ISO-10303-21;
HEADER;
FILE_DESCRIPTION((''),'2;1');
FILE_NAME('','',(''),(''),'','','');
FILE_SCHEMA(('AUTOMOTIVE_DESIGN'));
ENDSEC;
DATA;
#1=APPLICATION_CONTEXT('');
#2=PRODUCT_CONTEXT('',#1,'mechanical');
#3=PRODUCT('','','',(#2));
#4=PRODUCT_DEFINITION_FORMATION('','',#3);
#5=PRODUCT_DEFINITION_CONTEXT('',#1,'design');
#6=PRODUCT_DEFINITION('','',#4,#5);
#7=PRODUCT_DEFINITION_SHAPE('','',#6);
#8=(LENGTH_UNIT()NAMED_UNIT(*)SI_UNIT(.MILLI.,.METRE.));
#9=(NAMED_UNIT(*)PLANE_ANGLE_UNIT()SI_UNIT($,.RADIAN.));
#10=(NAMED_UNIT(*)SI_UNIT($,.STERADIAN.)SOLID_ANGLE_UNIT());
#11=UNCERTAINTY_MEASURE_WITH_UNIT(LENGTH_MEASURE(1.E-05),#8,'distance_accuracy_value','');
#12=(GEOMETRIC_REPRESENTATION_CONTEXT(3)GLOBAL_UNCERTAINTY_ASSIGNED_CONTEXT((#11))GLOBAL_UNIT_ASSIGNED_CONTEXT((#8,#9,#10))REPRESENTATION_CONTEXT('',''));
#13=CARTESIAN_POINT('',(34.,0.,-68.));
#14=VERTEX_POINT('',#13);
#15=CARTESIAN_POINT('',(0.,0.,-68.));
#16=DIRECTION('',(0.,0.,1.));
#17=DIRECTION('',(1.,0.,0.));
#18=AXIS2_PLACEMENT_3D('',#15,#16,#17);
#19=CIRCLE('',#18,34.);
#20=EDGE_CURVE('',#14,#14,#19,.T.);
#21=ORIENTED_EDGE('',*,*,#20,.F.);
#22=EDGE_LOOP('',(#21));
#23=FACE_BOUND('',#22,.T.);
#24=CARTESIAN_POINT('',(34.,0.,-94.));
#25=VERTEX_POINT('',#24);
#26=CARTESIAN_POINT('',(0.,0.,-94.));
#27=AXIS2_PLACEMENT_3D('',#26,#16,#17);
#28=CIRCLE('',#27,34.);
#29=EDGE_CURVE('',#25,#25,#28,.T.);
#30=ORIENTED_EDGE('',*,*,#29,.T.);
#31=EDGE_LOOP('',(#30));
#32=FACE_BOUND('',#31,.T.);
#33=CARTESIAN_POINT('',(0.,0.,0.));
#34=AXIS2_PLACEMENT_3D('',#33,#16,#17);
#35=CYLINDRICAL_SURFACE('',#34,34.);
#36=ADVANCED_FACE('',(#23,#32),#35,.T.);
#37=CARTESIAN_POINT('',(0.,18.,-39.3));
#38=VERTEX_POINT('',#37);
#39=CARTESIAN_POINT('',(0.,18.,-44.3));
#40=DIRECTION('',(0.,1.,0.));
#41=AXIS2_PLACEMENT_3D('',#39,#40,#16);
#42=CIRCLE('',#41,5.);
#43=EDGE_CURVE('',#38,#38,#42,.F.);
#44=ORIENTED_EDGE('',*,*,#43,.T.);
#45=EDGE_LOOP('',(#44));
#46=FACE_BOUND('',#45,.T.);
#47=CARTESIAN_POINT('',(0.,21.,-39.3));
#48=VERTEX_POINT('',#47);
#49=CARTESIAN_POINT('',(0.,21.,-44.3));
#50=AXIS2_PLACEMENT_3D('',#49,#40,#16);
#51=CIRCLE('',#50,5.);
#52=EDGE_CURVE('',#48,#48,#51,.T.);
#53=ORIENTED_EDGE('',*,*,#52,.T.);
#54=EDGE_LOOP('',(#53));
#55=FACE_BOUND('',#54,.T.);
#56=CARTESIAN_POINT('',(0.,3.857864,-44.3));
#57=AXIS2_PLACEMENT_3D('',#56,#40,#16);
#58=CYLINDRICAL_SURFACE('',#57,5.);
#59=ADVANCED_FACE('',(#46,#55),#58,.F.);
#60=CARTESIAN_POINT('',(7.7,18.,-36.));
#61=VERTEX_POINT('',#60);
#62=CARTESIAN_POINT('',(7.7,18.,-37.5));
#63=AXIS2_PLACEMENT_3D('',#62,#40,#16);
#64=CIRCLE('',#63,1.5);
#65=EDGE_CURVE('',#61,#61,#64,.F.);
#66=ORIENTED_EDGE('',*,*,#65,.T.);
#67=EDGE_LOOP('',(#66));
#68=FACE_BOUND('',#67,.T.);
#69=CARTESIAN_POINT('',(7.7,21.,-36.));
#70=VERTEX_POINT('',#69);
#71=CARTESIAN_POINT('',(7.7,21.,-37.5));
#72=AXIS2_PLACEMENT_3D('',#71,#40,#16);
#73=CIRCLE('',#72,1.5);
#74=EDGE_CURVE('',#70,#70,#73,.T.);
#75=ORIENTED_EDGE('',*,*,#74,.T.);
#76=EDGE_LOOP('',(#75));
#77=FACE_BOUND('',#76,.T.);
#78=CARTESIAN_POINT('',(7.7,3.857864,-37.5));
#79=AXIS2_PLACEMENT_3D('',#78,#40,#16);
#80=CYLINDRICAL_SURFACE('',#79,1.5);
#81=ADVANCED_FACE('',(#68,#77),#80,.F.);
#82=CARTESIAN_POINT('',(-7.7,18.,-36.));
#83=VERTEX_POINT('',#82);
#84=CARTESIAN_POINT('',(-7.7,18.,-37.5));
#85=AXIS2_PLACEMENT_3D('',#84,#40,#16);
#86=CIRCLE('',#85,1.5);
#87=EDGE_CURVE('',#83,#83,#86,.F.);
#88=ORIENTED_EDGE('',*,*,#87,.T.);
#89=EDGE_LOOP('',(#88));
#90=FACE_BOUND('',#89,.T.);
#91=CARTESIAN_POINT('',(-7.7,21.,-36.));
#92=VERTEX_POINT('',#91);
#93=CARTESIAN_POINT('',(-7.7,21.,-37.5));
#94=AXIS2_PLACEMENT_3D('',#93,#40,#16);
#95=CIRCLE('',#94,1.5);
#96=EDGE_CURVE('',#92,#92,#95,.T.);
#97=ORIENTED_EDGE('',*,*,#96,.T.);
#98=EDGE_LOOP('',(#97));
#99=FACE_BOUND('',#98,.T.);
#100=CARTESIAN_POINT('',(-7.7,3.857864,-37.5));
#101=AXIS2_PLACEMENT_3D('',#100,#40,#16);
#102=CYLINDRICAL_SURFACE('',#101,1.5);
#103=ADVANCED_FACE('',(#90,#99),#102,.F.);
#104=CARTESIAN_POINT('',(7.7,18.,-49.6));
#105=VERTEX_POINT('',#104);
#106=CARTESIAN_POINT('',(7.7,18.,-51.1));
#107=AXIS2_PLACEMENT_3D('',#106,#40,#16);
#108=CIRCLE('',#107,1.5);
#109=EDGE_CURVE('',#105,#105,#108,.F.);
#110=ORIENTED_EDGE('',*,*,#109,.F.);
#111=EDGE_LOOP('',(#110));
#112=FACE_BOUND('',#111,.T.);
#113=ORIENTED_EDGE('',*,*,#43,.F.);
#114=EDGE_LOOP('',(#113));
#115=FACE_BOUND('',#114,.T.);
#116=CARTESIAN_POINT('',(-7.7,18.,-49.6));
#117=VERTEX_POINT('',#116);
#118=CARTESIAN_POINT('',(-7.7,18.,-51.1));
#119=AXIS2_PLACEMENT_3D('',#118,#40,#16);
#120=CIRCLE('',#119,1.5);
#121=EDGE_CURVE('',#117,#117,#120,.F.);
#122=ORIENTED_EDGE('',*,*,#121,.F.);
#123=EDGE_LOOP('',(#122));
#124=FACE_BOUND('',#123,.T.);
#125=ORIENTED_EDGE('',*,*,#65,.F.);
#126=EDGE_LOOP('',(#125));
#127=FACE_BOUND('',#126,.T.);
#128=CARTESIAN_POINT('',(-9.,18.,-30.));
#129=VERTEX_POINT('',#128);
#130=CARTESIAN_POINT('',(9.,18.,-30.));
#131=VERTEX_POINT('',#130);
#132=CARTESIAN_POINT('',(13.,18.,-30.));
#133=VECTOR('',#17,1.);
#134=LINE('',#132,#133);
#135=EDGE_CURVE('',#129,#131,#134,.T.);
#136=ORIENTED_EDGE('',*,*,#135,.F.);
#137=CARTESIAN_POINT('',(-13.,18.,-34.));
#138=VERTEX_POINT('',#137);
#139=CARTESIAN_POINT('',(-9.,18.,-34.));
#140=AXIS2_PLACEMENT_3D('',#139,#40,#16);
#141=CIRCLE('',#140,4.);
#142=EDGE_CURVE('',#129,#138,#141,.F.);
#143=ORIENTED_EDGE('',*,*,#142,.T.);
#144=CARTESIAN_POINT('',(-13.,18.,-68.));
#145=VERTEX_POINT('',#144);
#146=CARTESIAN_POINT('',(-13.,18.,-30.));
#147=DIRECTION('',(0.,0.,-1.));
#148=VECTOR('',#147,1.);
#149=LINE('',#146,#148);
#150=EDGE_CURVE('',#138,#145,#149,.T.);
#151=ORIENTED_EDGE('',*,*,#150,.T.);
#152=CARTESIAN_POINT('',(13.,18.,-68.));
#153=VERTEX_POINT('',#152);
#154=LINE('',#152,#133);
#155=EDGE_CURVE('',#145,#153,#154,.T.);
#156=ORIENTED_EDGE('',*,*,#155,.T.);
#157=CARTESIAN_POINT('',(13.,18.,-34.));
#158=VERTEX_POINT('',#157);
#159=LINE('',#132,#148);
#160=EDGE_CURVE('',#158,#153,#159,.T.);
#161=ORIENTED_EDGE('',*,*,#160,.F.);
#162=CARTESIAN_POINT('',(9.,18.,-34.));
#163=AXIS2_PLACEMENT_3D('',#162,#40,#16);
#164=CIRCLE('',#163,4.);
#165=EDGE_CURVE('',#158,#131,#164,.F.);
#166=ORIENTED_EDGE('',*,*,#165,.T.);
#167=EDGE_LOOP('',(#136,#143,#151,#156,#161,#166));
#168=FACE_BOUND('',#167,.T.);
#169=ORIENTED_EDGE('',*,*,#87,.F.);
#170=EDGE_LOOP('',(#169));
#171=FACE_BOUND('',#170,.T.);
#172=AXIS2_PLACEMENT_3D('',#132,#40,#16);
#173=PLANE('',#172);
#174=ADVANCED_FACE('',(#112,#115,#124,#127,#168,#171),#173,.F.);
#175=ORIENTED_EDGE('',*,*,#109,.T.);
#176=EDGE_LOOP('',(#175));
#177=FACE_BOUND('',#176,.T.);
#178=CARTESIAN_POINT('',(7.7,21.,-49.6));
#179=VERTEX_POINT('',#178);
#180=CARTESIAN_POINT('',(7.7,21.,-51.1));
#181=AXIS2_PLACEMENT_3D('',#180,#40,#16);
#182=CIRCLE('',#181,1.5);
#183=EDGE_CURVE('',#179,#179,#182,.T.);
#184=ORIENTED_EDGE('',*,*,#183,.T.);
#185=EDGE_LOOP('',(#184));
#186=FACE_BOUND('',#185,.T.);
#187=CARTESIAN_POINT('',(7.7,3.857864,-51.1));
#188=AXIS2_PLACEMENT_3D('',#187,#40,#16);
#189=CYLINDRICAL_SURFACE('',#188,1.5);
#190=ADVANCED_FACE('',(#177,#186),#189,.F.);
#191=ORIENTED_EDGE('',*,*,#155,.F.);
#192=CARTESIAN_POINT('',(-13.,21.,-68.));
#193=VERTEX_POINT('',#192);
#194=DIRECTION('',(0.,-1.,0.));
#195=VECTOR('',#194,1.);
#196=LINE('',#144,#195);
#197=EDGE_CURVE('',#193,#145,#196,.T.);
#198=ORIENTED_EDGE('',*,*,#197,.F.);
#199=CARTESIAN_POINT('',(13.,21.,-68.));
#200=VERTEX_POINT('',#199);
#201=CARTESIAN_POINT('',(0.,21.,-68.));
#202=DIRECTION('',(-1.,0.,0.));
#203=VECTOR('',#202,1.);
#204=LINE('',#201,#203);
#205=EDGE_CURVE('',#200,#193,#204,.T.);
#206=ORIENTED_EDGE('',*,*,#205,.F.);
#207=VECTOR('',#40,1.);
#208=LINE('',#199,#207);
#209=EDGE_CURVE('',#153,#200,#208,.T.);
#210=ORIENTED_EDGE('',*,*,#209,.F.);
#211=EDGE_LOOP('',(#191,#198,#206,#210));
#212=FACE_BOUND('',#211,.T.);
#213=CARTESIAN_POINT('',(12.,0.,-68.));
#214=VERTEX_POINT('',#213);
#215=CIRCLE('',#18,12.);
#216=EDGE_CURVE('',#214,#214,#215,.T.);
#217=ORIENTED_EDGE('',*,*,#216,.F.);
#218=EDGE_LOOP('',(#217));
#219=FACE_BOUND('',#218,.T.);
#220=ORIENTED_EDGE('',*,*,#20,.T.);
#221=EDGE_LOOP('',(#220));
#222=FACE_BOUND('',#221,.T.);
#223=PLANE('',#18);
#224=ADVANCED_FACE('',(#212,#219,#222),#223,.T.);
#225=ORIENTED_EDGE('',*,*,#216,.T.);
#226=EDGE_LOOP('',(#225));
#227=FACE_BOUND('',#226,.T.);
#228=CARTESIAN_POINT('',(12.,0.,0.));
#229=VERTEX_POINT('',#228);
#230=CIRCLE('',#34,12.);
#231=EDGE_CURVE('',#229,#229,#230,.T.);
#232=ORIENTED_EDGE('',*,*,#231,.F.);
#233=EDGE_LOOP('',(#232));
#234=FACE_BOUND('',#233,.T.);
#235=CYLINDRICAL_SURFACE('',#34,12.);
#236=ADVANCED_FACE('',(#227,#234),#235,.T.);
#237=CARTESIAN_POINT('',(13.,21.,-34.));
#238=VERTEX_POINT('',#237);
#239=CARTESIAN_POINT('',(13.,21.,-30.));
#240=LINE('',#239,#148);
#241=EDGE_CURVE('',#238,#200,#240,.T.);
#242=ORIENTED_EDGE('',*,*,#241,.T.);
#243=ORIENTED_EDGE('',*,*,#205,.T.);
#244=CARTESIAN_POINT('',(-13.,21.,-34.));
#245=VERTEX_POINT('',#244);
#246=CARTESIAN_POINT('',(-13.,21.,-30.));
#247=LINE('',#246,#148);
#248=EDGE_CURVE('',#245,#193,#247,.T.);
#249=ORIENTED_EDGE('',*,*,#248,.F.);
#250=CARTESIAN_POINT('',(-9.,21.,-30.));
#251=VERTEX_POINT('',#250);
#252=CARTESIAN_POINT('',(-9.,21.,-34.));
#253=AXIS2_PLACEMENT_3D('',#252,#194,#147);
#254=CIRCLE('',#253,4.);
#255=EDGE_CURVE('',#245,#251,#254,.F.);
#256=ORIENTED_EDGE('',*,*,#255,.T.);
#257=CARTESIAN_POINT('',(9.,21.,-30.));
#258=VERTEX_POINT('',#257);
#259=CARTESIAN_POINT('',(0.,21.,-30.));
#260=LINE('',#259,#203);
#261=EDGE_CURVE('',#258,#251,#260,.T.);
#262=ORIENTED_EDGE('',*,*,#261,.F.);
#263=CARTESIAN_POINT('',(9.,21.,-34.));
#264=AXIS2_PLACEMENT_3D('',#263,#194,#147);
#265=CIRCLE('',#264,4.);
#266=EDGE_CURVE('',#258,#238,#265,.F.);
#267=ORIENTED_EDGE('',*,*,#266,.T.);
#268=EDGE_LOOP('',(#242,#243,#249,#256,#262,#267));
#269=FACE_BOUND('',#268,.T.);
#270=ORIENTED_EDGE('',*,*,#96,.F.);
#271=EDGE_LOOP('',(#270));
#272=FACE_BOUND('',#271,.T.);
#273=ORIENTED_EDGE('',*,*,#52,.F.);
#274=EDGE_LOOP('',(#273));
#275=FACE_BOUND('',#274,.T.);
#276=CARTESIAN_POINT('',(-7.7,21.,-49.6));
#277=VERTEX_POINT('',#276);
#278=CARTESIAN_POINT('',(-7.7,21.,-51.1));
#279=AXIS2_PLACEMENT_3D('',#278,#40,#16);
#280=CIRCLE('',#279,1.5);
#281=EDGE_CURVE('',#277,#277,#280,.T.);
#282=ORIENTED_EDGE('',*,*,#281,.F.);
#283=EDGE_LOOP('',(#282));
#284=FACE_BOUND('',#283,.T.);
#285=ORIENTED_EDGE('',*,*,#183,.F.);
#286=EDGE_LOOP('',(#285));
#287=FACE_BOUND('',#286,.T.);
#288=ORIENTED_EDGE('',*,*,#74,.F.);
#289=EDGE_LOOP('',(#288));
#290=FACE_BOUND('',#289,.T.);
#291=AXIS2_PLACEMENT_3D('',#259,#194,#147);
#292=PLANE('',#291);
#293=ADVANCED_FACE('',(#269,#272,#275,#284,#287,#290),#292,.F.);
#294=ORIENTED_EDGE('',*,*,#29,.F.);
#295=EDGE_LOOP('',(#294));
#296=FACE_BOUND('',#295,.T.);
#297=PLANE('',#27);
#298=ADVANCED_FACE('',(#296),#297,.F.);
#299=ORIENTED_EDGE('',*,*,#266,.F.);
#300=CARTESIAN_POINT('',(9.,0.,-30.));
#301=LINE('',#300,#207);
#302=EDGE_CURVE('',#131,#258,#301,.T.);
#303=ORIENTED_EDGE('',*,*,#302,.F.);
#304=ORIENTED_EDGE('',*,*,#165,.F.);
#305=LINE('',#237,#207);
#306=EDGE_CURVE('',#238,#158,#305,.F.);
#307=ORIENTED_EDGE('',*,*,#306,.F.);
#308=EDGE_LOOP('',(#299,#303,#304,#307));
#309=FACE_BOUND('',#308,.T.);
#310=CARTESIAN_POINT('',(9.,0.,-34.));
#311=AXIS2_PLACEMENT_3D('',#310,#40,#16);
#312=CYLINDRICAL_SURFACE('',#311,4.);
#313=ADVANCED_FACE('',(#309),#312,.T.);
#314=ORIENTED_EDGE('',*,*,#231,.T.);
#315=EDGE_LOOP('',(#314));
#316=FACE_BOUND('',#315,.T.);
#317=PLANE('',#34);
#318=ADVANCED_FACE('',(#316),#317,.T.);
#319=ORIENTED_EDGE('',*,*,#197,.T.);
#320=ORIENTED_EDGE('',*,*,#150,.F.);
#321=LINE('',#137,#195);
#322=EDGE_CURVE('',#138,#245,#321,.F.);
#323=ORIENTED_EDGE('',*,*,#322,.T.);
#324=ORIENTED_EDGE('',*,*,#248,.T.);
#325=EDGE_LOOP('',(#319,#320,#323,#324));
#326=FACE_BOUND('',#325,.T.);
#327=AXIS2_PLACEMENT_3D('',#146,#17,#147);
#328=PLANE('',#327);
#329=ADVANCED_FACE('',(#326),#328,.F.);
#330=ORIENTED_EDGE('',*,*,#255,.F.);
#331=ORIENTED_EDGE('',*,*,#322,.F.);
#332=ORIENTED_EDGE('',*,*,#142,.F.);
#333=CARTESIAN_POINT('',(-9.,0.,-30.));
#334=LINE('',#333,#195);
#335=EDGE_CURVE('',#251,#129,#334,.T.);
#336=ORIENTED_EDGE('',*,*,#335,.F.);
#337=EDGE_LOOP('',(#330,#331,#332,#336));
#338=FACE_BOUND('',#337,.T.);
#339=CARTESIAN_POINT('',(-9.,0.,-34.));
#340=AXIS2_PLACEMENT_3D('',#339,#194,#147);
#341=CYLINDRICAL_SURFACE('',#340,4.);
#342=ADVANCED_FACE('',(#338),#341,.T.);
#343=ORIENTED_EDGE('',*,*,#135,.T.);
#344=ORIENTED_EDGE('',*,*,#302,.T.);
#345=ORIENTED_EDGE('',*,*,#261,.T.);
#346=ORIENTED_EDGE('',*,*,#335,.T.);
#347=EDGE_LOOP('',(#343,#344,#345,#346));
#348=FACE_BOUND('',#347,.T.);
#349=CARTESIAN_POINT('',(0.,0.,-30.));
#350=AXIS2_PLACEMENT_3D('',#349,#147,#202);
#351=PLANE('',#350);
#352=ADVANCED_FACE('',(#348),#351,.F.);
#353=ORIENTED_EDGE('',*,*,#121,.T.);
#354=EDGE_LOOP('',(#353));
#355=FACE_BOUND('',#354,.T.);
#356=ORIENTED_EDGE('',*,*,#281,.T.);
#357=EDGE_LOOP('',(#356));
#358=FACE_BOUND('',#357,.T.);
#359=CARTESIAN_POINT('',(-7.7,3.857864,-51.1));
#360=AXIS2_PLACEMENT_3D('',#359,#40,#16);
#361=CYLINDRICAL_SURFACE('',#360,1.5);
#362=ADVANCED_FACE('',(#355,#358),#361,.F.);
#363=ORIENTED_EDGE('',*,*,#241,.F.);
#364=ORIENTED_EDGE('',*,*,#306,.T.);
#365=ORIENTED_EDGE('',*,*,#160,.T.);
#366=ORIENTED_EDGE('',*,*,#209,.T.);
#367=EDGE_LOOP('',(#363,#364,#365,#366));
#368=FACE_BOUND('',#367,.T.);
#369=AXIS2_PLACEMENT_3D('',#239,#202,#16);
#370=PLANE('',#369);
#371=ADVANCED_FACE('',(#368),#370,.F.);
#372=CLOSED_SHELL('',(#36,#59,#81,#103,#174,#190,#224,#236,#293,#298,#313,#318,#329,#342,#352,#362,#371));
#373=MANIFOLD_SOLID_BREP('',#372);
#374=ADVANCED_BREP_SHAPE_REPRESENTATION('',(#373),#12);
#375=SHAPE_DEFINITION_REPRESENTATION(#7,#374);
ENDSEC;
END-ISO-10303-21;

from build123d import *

# Parameters (mm, degrees)
SKETCH_1_W          = 68
SKETCH_1_H          = 12
EXTRUDE_1_DEPTH     = 38
SKETCH_3_R          = 1.5
SKETCH_3_R_2        = 5
CUT_EXTRUDE_1_DEPTH = 3
FILLET_1_R          = 4


with BuildPart() as part:
    # Эскиз1 → Повернуть1 (revolve)
    with BuildSketch(Plane(origin=(0, 0, 0), x_dir=(0, 0, -1), z_dir=(1, 0, 0)), mode=Mode.PRIVATE) as revolve_1_sk:
        with Locations((34, 6)):
            Rectangle(SKETCH_1_W, SKETCH_1_H)
        Polygon((68, 12), (68, 0), (94, 0), (94, 34), (68, 34), align=None)
    revolve(revolve_1_sk.sketch.rotate(Axis((0, 0, 0), (0, 0, -1)), 90), axis=Axis((0, 0, 0), (0, 0, -1)))

    # Эскиз2 → Бобышка-Вытянуть1 (add)
    with BuildSketch(Plane.XY.offset(-68)):
        Polygon((0, 21), (13, 21), (13, 18), (-13, 18), (-13, 21), align=None)
    extrude(amount=EXTRUDE_1_DEPTH)

    # Эскиз3 → Вырез-Вытянуть1 (cut)
    with BuildSketch(Plane(origin=(0, 21, 0), x_dir=(1, 0, 0), z_dir=(0, 1, 0))):
        with Locations(Location((-7.7, 51.1, 0), (0, 0, 270))):
            Circle(SKETCH_3_R)
        with Locations(Location((7.7, 51.1, 0), (0, 0, 270))):
            Circle(SKETCH_3_R)
        with Locations(Location((7.7, 37.5, 0), (0, 0, 270))):
            Circle(SKETCH_3_R)
        with Locations(Location((-7.7, 37.5, 0), (0, 0, 270))):
            Circle(SKETCH_3_R)
        with Locations(Location((0, 44.3, 0), (0, 0, 270))):
            Circle(SKETCH_3_R_2)
    extrude(amount=-CUT_EXTRUDE_1_DEPTH, mode=Mode.SUBTRACT)

    # Скругление1
    fillet_1_edges = [part.edges().sort_by_distance(p)[0] for p in [
        (-13, 19.5, -30),
        (13, 19.5, -30),
    ]]
    fillet(fillet_1_edges, radius=FILLET_1_R)


solid = part.part
